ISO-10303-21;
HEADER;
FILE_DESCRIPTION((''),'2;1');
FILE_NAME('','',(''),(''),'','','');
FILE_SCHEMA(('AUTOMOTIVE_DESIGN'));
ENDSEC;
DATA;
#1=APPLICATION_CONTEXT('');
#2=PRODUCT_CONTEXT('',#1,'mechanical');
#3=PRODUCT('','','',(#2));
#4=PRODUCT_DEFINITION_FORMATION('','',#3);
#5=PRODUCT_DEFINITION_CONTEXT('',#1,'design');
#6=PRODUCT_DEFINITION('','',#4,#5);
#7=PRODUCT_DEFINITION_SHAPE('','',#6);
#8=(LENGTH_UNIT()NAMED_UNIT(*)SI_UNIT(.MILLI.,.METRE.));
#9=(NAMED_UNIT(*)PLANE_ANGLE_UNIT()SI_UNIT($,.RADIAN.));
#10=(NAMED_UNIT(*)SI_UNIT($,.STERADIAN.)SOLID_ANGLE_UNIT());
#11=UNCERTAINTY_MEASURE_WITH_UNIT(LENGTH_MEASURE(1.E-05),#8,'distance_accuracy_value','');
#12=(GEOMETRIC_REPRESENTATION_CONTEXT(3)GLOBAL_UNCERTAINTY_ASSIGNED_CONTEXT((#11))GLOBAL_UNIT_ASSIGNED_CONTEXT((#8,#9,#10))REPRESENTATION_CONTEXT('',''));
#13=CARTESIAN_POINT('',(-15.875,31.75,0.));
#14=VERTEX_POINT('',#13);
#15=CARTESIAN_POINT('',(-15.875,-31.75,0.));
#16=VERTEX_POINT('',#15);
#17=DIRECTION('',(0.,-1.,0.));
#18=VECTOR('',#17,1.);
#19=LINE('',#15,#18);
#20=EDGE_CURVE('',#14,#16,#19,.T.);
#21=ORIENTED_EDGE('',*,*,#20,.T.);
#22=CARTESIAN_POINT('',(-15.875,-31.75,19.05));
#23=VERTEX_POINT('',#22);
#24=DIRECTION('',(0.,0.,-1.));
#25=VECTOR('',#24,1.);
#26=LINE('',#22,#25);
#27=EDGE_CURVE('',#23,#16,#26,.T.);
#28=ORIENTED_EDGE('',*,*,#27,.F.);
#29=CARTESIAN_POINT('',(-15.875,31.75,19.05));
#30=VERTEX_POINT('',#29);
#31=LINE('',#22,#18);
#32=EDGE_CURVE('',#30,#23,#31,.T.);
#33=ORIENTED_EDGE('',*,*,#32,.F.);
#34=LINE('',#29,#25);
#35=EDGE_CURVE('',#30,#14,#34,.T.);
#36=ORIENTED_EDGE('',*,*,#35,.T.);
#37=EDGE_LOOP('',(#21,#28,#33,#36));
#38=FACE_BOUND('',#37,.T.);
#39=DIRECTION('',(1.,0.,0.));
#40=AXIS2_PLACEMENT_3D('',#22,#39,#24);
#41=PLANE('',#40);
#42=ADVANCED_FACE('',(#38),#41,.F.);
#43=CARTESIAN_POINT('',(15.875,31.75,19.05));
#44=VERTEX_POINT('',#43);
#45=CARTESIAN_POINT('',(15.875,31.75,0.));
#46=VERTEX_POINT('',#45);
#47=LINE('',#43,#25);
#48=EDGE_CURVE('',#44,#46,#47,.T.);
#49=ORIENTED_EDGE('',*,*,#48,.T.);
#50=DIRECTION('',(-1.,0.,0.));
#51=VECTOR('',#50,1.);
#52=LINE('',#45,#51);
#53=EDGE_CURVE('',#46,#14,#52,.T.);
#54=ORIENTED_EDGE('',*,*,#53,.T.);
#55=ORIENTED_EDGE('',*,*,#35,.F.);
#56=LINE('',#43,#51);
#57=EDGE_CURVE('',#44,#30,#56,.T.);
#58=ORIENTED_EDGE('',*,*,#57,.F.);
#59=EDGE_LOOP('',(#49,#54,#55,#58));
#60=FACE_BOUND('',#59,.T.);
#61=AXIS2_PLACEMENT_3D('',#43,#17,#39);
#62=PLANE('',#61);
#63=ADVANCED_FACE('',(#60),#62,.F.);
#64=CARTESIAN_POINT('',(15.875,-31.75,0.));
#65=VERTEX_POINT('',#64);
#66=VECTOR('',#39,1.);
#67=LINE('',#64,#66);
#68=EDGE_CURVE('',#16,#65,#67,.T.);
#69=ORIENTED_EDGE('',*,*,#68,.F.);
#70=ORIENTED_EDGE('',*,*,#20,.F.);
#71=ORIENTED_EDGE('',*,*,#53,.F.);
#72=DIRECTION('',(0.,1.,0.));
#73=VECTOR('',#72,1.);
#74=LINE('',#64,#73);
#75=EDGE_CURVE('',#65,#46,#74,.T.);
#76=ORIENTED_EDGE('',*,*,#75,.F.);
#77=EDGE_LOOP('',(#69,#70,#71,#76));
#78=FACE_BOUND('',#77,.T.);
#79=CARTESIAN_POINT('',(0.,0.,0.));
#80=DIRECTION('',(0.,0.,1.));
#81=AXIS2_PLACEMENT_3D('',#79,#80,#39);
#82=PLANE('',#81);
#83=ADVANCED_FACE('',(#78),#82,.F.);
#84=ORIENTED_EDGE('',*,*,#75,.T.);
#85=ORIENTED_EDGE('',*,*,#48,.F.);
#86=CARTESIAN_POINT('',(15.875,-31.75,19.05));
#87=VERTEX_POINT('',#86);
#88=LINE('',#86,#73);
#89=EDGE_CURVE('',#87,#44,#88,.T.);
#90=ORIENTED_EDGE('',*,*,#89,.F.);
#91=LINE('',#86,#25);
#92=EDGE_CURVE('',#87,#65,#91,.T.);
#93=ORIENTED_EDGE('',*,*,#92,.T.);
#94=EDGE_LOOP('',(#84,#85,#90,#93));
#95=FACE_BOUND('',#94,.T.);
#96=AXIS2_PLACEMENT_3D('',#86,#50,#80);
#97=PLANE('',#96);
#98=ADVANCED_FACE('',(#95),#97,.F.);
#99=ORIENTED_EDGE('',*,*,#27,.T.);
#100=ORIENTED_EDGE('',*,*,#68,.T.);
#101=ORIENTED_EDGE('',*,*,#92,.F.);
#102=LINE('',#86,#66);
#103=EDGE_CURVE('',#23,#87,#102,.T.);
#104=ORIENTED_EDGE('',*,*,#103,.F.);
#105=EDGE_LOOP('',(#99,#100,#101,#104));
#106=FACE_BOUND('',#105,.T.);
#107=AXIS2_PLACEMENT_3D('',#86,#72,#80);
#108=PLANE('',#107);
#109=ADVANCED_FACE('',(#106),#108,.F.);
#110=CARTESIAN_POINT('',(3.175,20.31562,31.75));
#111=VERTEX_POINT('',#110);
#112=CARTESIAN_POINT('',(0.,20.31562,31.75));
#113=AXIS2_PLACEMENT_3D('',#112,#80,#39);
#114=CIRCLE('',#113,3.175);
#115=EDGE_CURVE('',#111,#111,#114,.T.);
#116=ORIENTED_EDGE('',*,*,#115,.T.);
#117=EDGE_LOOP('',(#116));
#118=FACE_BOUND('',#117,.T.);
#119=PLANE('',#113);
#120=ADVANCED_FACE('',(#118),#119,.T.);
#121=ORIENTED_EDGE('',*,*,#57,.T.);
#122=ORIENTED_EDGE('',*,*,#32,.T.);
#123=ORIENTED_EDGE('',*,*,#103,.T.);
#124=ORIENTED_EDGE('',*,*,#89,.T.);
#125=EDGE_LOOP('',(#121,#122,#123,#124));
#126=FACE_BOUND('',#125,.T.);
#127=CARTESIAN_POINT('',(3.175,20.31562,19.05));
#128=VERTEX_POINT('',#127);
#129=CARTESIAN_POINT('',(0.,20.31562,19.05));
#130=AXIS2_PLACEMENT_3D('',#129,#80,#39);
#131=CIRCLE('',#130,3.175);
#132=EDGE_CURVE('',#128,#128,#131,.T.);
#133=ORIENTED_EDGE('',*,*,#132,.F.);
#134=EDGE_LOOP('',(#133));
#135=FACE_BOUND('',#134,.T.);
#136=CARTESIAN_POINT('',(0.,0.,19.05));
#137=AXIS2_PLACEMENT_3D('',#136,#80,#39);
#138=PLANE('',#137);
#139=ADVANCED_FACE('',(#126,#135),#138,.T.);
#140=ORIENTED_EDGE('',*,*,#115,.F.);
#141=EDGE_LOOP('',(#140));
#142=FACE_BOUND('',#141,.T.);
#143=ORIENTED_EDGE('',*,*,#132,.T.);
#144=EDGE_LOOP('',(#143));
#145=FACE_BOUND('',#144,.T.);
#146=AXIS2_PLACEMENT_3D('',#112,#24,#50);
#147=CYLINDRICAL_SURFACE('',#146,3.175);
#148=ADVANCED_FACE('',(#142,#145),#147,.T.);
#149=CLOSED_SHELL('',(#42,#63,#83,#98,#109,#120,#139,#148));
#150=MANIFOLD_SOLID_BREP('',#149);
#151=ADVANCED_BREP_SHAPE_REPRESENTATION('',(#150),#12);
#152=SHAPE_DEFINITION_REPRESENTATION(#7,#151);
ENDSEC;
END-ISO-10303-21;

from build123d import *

# Parameters (mm, degrees)
SKETCH1_W           = 31.75
SKETCH1_H           = 63.5
BOSS_EXTRUDE1_DEPTH = 19.05
SKETCH2_R           = 3.175
BOSS_EXTRUDE2_DEPTH = 12.7


with BuildPart() as part:
    # Sketch1 → Boss-Extrude1 (new body)
    with BuildSketch(Plane.XY):
        Rectangle(SKETCH1_W, SKETCH1_H)
    extrude(amount=BOSS_EXTRUDE1_DEPTH)

    # Sketch2 → Boss-Extrude2 (add)
    with BuildSketch(Plane.XY.offset(19.05)):
        with Locations((0, 20.315619897)):
            Circle(SKETCH2_R)
    extrude(amount=BOSS_EXTRUDE2_DEPTH)


solid = part.part
